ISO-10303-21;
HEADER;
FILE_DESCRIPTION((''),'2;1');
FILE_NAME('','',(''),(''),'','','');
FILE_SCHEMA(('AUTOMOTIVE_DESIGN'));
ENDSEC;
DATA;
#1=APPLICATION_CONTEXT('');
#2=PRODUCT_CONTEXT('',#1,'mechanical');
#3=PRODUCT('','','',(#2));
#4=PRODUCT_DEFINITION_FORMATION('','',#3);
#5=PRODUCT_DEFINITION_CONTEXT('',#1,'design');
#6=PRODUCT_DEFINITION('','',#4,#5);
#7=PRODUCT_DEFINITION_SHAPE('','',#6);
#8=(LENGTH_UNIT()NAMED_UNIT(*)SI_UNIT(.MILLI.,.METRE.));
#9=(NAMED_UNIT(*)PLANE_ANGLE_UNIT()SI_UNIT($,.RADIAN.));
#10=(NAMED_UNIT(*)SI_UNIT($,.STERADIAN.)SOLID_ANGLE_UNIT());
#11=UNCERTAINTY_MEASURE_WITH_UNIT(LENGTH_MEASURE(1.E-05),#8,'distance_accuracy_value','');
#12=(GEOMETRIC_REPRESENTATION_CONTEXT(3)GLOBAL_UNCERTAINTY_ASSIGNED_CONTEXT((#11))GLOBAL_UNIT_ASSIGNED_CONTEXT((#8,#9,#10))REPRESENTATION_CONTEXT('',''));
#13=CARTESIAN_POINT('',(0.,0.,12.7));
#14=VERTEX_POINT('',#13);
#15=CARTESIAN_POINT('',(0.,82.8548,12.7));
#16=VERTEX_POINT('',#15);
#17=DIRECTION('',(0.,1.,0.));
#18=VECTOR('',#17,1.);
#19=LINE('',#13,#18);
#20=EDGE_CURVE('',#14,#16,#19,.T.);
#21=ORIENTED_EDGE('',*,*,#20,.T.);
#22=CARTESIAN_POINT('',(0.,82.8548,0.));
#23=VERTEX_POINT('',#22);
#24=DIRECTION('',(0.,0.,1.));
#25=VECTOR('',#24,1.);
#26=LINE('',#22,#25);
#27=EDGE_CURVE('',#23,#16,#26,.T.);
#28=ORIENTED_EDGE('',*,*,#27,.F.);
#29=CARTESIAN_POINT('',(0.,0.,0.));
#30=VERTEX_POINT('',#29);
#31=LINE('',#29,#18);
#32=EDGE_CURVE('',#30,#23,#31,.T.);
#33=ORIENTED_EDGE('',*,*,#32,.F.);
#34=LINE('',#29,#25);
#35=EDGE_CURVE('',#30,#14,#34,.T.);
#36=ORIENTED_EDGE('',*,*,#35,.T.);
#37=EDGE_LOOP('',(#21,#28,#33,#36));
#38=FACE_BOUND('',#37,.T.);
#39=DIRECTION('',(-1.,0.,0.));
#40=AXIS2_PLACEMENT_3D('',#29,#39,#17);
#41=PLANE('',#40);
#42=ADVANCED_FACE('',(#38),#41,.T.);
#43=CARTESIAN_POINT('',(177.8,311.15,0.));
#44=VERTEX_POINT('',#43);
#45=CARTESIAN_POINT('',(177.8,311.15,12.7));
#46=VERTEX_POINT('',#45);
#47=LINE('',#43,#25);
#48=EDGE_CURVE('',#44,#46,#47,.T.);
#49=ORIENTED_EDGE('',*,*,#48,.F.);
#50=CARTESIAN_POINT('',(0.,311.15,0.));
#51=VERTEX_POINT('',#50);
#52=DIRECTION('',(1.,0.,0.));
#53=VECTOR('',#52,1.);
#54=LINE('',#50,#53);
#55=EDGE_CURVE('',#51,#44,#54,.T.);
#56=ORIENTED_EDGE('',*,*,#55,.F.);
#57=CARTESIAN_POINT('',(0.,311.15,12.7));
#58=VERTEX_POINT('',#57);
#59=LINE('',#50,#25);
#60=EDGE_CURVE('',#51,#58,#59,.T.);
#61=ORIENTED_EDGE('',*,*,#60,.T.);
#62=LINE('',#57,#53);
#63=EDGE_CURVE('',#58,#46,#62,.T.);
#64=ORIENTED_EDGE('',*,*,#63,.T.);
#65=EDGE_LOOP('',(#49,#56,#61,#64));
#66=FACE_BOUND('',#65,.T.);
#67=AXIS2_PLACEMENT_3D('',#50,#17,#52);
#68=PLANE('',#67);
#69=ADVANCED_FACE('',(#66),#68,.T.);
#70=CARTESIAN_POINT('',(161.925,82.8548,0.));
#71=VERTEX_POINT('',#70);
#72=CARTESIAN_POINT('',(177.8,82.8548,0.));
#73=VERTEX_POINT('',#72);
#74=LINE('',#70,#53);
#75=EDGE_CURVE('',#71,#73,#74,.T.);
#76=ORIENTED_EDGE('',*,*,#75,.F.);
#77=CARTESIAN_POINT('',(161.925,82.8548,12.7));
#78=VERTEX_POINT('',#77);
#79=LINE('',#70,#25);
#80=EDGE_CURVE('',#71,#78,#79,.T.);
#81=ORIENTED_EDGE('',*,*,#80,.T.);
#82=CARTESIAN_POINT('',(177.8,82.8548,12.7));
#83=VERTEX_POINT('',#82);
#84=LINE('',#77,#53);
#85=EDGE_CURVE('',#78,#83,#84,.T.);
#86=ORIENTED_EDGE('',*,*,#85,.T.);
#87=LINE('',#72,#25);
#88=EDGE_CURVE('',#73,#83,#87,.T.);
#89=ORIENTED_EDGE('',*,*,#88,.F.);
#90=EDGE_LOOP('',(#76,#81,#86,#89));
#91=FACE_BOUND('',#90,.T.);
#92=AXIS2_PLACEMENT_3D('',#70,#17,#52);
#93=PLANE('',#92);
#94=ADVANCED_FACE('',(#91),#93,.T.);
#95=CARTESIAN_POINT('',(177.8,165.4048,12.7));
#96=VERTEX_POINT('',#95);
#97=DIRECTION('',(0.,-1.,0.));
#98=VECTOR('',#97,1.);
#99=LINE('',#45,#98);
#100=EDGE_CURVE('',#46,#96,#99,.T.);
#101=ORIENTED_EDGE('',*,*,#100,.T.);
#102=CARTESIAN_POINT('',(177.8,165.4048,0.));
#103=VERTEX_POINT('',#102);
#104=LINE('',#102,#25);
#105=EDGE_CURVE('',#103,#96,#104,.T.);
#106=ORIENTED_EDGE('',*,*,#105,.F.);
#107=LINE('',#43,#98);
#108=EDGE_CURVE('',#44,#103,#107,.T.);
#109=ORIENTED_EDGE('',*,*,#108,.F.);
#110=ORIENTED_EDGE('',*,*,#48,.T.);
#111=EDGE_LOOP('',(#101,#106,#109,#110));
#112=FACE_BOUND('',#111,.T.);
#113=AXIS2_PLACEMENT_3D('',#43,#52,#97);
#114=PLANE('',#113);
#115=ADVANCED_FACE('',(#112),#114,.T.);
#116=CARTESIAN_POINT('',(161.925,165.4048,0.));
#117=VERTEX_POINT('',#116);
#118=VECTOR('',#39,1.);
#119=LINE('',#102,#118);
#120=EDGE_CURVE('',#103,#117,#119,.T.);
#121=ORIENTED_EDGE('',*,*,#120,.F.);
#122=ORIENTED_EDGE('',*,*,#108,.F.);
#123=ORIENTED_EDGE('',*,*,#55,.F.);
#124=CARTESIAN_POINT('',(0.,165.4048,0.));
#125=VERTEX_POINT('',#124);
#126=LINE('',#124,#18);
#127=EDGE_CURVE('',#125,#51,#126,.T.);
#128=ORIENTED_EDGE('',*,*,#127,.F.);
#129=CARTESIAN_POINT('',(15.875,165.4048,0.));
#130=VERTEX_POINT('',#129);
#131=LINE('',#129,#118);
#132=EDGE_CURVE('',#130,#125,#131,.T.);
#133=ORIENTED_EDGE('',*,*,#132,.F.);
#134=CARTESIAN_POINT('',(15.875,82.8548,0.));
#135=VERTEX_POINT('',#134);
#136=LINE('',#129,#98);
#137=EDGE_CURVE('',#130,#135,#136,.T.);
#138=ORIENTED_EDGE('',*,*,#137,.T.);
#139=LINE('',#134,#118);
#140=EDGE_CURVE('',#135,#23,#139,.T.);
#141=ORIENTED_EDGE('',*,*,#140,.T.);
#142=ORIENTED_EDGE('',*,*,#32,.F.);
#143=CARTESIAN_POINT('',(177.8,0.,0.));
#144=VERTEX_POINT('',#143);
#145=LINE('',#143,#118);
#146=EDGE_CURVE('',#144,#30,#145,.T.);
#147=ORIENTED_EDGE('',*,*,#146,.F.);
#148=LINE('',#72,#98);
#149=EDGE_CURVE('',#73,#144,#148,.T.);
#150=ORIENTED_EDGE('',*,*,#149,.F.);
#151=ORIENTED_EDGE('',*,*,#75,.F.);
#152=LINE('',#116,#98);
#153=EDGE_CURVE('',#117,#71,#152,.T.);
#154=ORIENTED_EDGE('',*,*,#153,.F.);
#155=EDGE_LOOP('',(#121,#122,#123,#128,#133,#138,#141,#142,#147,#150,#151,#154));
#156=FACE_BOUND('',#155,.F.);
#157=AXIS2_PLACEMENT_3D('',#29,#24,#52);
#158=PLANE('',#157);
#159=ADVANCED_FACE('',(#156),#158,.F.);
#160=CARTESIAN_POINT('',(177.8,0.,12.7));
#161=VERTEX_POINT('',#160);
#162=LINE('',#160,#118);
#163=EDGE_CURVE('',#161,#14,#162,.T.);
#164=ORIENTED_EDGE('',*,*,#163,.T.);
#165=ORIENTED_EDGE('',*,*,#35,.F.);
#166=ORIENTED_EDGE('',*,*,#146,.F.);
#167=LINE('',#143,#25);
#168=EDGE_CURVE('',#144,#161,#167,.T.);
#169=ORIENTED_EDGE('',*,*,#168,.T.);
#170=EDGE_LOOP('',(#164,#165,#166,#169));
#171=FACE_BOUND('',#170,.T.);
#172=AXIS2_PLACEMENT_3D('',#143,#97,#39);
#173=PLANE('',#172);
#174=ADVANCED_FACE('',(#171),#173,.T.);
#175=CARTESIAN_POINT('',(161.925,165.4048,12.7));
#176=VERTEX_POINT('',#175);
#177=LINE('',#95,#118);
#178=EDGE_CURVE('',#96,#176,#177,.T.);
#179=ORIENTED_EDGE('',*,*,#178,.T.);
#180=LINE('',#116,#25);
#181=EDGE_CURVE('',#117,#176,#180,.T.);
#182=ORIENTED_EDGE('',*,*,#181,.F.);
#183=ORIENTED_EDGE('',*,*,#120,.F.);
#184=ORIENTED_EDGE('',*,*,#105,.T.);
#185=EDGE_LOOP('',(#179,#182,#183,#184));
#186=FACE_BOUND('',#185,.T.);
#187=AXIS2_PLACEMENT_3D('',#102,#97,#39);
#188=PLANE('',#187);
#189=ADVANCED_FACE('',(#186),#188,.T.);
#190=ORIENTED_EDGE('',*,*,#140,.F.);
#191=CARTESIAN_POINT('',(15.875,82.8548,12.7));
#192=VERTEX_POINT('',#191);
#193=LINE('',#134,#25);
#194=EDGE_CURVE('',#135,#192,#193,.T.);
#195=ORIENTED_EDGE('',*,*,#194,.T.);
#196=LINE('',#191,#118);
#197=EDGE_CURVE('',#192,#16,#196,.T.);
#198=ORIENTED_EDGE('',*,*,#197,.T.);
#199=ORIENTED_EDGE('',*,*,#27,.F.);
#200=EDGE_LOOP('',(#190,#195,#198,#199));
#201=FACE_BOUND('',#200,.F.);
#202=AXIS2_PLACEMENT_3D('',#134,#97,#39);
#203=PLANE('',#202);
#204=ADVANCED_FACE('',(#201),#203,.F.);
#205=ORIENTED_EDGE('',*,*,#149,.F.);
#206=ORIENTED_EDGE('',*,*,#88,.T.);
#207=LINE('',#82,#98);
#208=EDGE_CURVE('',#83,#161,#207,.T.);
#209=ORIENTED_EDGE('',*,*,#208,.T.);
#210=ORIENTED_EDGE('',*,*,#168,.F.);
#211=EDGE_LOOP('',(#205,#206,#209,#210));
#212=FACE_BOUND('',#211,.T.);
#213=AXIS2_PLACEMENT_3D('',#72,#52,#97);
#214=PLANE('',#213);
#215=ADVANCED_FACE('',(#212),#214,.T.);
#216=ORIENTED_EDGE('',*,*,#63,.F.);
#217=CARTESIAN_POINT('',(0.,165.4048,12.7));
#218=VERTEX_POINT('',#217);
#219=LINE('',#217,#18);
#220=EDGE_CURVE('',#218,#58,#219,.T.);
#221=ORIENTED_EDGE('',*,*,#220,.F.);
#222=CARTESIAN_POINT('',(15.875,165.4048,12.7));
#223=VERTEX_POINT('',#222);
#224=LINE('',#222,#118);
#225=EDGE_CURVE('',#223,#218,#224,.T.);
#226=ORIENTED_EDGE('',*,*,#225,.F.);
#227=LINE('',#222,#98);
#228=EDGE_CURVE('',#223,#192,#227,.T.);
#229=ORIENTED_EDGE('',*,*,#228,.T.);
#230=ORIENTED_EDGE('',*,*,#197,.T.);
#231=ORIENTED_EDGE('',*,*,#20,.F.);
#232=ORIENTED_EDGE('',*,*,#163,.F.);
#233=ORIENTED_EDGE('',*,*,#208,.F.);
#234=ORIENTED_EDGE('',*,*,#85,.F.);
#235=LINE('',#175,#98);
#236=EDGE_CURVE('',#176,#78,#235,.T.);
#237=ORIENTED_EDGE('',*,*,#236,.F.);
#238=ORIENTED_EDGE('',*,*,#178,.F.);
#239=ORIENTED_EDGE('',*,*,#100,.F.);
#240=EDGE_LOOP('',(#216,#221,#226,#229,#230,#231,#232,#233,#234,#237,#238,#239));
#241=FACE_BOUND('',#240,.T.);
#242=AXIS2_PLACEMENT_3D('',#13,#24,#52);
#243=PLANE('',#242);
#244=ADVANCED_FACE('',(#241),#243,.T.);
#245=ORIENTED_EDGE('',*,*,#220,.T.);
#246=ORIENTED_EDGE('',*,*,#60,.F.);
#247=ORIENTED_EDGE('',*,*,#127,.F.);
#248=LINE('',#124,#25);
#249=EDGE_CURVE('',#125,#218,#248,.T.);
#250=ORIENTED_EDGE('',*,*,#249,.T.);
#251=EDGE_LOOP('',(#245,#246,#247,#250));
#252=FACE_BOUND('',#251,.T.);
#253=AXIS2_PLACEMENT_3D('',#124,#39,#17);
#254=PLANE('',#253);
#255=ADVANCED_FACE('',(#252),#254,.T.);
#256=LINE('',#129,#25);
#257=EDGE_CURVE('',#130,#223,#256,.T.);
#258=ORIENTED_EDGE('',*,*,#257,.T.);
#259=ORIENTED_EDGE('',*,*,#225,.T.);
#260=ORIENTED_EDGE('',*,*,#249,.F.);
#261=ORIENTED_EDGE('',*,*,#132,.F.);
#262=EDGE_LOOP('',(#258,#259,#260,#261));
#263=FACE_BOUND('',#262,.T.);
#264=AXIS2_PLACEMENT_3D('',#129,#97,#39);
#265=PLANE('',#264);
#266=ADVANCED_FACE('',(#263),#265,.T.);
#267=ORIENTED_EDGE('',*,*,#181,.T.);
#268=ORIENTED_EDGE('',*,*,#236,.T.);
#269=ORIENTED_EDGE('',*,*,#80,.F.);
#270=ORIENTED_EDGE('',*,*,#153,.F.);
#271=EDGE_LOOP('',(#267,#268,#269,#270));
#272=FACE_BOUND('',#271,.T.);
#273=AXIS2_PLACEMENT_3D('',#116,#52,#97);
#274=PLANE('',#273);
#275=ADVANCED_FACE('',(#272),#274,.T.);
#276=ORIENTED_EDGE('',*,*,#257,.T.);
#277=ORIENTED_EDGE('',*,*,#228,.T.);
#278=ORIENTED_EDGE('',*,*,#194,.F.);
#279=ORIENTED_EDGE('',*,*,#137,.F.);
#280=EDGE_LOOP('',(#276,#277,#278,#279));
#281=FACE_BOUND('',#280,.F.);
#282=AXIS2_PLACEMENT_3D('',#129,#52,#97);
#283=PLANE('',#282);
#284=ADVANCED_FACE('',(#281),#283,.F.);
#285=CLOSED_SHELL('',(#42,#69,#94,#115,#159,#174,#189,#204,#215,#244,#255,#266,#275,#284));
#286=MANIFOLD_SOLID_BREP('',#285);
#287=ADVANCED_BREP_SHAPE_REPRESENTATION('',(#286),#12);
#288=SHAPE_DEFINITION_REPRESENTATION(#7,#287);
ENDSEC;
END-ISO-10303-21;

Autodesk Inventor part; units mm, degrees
ref_plane "YZ Plane" through (0, 0, 0) normal (1, 0, 0) x (0, 1, 0)
ref_plane "XZ Plane" through (0, 0, 0) normal (0, 1, 0) x (-1, 0, 0)
ref_plane "XY Plane" through (0, 0, 0) normal (0, 0, 1) x (1, 0, 0)
sketch "Sketch2" plane through (0, 0, 0) normal (0, 0, 1) x (1, 0, 0)
  line L0 (0, 311.15) -> (177.8, 311.15)
  line L1 (177.8, 0) -> (0, 0)
  line L2 (15.875, 165.4048) -> (0, 165.4048)
  line L3 (15.875, 165.4048) -> (15.875, 82.8548)
  line L4 (15.875, 82.8548) -> (0, 82.8548)
  line L5 (177.8, 165.4048) -> (161.925, 165.4048)
  line L6 (161.925, 165.4048) -> (161.925, 82.8548)
  line L7 (161.925, 82.8548) -> (177.8, 82.8548)
  line L8 (0, 0) -> (0, 82.8548)
  line L9 (0, 165.4048) -> (0, 311.15)
  line L10 (177.8, 311.15) -> (177.8, 165.4048)
  line L11 (177.8, 82.8548) -> (177.8, 0)
  dimension "d11" = 311.15
  dimension "d12" = 177.8
  dimension "d14" = 15.875
  dimension "d15" = 82.55
  dimension "d16" = 15.875
  dimension "d17" = 82.55
extrude "Extrusion2" add sketch "Sketch2" along normal blind 12.7
properties part number "box_layout" material "Polycarbonate, Clear"
